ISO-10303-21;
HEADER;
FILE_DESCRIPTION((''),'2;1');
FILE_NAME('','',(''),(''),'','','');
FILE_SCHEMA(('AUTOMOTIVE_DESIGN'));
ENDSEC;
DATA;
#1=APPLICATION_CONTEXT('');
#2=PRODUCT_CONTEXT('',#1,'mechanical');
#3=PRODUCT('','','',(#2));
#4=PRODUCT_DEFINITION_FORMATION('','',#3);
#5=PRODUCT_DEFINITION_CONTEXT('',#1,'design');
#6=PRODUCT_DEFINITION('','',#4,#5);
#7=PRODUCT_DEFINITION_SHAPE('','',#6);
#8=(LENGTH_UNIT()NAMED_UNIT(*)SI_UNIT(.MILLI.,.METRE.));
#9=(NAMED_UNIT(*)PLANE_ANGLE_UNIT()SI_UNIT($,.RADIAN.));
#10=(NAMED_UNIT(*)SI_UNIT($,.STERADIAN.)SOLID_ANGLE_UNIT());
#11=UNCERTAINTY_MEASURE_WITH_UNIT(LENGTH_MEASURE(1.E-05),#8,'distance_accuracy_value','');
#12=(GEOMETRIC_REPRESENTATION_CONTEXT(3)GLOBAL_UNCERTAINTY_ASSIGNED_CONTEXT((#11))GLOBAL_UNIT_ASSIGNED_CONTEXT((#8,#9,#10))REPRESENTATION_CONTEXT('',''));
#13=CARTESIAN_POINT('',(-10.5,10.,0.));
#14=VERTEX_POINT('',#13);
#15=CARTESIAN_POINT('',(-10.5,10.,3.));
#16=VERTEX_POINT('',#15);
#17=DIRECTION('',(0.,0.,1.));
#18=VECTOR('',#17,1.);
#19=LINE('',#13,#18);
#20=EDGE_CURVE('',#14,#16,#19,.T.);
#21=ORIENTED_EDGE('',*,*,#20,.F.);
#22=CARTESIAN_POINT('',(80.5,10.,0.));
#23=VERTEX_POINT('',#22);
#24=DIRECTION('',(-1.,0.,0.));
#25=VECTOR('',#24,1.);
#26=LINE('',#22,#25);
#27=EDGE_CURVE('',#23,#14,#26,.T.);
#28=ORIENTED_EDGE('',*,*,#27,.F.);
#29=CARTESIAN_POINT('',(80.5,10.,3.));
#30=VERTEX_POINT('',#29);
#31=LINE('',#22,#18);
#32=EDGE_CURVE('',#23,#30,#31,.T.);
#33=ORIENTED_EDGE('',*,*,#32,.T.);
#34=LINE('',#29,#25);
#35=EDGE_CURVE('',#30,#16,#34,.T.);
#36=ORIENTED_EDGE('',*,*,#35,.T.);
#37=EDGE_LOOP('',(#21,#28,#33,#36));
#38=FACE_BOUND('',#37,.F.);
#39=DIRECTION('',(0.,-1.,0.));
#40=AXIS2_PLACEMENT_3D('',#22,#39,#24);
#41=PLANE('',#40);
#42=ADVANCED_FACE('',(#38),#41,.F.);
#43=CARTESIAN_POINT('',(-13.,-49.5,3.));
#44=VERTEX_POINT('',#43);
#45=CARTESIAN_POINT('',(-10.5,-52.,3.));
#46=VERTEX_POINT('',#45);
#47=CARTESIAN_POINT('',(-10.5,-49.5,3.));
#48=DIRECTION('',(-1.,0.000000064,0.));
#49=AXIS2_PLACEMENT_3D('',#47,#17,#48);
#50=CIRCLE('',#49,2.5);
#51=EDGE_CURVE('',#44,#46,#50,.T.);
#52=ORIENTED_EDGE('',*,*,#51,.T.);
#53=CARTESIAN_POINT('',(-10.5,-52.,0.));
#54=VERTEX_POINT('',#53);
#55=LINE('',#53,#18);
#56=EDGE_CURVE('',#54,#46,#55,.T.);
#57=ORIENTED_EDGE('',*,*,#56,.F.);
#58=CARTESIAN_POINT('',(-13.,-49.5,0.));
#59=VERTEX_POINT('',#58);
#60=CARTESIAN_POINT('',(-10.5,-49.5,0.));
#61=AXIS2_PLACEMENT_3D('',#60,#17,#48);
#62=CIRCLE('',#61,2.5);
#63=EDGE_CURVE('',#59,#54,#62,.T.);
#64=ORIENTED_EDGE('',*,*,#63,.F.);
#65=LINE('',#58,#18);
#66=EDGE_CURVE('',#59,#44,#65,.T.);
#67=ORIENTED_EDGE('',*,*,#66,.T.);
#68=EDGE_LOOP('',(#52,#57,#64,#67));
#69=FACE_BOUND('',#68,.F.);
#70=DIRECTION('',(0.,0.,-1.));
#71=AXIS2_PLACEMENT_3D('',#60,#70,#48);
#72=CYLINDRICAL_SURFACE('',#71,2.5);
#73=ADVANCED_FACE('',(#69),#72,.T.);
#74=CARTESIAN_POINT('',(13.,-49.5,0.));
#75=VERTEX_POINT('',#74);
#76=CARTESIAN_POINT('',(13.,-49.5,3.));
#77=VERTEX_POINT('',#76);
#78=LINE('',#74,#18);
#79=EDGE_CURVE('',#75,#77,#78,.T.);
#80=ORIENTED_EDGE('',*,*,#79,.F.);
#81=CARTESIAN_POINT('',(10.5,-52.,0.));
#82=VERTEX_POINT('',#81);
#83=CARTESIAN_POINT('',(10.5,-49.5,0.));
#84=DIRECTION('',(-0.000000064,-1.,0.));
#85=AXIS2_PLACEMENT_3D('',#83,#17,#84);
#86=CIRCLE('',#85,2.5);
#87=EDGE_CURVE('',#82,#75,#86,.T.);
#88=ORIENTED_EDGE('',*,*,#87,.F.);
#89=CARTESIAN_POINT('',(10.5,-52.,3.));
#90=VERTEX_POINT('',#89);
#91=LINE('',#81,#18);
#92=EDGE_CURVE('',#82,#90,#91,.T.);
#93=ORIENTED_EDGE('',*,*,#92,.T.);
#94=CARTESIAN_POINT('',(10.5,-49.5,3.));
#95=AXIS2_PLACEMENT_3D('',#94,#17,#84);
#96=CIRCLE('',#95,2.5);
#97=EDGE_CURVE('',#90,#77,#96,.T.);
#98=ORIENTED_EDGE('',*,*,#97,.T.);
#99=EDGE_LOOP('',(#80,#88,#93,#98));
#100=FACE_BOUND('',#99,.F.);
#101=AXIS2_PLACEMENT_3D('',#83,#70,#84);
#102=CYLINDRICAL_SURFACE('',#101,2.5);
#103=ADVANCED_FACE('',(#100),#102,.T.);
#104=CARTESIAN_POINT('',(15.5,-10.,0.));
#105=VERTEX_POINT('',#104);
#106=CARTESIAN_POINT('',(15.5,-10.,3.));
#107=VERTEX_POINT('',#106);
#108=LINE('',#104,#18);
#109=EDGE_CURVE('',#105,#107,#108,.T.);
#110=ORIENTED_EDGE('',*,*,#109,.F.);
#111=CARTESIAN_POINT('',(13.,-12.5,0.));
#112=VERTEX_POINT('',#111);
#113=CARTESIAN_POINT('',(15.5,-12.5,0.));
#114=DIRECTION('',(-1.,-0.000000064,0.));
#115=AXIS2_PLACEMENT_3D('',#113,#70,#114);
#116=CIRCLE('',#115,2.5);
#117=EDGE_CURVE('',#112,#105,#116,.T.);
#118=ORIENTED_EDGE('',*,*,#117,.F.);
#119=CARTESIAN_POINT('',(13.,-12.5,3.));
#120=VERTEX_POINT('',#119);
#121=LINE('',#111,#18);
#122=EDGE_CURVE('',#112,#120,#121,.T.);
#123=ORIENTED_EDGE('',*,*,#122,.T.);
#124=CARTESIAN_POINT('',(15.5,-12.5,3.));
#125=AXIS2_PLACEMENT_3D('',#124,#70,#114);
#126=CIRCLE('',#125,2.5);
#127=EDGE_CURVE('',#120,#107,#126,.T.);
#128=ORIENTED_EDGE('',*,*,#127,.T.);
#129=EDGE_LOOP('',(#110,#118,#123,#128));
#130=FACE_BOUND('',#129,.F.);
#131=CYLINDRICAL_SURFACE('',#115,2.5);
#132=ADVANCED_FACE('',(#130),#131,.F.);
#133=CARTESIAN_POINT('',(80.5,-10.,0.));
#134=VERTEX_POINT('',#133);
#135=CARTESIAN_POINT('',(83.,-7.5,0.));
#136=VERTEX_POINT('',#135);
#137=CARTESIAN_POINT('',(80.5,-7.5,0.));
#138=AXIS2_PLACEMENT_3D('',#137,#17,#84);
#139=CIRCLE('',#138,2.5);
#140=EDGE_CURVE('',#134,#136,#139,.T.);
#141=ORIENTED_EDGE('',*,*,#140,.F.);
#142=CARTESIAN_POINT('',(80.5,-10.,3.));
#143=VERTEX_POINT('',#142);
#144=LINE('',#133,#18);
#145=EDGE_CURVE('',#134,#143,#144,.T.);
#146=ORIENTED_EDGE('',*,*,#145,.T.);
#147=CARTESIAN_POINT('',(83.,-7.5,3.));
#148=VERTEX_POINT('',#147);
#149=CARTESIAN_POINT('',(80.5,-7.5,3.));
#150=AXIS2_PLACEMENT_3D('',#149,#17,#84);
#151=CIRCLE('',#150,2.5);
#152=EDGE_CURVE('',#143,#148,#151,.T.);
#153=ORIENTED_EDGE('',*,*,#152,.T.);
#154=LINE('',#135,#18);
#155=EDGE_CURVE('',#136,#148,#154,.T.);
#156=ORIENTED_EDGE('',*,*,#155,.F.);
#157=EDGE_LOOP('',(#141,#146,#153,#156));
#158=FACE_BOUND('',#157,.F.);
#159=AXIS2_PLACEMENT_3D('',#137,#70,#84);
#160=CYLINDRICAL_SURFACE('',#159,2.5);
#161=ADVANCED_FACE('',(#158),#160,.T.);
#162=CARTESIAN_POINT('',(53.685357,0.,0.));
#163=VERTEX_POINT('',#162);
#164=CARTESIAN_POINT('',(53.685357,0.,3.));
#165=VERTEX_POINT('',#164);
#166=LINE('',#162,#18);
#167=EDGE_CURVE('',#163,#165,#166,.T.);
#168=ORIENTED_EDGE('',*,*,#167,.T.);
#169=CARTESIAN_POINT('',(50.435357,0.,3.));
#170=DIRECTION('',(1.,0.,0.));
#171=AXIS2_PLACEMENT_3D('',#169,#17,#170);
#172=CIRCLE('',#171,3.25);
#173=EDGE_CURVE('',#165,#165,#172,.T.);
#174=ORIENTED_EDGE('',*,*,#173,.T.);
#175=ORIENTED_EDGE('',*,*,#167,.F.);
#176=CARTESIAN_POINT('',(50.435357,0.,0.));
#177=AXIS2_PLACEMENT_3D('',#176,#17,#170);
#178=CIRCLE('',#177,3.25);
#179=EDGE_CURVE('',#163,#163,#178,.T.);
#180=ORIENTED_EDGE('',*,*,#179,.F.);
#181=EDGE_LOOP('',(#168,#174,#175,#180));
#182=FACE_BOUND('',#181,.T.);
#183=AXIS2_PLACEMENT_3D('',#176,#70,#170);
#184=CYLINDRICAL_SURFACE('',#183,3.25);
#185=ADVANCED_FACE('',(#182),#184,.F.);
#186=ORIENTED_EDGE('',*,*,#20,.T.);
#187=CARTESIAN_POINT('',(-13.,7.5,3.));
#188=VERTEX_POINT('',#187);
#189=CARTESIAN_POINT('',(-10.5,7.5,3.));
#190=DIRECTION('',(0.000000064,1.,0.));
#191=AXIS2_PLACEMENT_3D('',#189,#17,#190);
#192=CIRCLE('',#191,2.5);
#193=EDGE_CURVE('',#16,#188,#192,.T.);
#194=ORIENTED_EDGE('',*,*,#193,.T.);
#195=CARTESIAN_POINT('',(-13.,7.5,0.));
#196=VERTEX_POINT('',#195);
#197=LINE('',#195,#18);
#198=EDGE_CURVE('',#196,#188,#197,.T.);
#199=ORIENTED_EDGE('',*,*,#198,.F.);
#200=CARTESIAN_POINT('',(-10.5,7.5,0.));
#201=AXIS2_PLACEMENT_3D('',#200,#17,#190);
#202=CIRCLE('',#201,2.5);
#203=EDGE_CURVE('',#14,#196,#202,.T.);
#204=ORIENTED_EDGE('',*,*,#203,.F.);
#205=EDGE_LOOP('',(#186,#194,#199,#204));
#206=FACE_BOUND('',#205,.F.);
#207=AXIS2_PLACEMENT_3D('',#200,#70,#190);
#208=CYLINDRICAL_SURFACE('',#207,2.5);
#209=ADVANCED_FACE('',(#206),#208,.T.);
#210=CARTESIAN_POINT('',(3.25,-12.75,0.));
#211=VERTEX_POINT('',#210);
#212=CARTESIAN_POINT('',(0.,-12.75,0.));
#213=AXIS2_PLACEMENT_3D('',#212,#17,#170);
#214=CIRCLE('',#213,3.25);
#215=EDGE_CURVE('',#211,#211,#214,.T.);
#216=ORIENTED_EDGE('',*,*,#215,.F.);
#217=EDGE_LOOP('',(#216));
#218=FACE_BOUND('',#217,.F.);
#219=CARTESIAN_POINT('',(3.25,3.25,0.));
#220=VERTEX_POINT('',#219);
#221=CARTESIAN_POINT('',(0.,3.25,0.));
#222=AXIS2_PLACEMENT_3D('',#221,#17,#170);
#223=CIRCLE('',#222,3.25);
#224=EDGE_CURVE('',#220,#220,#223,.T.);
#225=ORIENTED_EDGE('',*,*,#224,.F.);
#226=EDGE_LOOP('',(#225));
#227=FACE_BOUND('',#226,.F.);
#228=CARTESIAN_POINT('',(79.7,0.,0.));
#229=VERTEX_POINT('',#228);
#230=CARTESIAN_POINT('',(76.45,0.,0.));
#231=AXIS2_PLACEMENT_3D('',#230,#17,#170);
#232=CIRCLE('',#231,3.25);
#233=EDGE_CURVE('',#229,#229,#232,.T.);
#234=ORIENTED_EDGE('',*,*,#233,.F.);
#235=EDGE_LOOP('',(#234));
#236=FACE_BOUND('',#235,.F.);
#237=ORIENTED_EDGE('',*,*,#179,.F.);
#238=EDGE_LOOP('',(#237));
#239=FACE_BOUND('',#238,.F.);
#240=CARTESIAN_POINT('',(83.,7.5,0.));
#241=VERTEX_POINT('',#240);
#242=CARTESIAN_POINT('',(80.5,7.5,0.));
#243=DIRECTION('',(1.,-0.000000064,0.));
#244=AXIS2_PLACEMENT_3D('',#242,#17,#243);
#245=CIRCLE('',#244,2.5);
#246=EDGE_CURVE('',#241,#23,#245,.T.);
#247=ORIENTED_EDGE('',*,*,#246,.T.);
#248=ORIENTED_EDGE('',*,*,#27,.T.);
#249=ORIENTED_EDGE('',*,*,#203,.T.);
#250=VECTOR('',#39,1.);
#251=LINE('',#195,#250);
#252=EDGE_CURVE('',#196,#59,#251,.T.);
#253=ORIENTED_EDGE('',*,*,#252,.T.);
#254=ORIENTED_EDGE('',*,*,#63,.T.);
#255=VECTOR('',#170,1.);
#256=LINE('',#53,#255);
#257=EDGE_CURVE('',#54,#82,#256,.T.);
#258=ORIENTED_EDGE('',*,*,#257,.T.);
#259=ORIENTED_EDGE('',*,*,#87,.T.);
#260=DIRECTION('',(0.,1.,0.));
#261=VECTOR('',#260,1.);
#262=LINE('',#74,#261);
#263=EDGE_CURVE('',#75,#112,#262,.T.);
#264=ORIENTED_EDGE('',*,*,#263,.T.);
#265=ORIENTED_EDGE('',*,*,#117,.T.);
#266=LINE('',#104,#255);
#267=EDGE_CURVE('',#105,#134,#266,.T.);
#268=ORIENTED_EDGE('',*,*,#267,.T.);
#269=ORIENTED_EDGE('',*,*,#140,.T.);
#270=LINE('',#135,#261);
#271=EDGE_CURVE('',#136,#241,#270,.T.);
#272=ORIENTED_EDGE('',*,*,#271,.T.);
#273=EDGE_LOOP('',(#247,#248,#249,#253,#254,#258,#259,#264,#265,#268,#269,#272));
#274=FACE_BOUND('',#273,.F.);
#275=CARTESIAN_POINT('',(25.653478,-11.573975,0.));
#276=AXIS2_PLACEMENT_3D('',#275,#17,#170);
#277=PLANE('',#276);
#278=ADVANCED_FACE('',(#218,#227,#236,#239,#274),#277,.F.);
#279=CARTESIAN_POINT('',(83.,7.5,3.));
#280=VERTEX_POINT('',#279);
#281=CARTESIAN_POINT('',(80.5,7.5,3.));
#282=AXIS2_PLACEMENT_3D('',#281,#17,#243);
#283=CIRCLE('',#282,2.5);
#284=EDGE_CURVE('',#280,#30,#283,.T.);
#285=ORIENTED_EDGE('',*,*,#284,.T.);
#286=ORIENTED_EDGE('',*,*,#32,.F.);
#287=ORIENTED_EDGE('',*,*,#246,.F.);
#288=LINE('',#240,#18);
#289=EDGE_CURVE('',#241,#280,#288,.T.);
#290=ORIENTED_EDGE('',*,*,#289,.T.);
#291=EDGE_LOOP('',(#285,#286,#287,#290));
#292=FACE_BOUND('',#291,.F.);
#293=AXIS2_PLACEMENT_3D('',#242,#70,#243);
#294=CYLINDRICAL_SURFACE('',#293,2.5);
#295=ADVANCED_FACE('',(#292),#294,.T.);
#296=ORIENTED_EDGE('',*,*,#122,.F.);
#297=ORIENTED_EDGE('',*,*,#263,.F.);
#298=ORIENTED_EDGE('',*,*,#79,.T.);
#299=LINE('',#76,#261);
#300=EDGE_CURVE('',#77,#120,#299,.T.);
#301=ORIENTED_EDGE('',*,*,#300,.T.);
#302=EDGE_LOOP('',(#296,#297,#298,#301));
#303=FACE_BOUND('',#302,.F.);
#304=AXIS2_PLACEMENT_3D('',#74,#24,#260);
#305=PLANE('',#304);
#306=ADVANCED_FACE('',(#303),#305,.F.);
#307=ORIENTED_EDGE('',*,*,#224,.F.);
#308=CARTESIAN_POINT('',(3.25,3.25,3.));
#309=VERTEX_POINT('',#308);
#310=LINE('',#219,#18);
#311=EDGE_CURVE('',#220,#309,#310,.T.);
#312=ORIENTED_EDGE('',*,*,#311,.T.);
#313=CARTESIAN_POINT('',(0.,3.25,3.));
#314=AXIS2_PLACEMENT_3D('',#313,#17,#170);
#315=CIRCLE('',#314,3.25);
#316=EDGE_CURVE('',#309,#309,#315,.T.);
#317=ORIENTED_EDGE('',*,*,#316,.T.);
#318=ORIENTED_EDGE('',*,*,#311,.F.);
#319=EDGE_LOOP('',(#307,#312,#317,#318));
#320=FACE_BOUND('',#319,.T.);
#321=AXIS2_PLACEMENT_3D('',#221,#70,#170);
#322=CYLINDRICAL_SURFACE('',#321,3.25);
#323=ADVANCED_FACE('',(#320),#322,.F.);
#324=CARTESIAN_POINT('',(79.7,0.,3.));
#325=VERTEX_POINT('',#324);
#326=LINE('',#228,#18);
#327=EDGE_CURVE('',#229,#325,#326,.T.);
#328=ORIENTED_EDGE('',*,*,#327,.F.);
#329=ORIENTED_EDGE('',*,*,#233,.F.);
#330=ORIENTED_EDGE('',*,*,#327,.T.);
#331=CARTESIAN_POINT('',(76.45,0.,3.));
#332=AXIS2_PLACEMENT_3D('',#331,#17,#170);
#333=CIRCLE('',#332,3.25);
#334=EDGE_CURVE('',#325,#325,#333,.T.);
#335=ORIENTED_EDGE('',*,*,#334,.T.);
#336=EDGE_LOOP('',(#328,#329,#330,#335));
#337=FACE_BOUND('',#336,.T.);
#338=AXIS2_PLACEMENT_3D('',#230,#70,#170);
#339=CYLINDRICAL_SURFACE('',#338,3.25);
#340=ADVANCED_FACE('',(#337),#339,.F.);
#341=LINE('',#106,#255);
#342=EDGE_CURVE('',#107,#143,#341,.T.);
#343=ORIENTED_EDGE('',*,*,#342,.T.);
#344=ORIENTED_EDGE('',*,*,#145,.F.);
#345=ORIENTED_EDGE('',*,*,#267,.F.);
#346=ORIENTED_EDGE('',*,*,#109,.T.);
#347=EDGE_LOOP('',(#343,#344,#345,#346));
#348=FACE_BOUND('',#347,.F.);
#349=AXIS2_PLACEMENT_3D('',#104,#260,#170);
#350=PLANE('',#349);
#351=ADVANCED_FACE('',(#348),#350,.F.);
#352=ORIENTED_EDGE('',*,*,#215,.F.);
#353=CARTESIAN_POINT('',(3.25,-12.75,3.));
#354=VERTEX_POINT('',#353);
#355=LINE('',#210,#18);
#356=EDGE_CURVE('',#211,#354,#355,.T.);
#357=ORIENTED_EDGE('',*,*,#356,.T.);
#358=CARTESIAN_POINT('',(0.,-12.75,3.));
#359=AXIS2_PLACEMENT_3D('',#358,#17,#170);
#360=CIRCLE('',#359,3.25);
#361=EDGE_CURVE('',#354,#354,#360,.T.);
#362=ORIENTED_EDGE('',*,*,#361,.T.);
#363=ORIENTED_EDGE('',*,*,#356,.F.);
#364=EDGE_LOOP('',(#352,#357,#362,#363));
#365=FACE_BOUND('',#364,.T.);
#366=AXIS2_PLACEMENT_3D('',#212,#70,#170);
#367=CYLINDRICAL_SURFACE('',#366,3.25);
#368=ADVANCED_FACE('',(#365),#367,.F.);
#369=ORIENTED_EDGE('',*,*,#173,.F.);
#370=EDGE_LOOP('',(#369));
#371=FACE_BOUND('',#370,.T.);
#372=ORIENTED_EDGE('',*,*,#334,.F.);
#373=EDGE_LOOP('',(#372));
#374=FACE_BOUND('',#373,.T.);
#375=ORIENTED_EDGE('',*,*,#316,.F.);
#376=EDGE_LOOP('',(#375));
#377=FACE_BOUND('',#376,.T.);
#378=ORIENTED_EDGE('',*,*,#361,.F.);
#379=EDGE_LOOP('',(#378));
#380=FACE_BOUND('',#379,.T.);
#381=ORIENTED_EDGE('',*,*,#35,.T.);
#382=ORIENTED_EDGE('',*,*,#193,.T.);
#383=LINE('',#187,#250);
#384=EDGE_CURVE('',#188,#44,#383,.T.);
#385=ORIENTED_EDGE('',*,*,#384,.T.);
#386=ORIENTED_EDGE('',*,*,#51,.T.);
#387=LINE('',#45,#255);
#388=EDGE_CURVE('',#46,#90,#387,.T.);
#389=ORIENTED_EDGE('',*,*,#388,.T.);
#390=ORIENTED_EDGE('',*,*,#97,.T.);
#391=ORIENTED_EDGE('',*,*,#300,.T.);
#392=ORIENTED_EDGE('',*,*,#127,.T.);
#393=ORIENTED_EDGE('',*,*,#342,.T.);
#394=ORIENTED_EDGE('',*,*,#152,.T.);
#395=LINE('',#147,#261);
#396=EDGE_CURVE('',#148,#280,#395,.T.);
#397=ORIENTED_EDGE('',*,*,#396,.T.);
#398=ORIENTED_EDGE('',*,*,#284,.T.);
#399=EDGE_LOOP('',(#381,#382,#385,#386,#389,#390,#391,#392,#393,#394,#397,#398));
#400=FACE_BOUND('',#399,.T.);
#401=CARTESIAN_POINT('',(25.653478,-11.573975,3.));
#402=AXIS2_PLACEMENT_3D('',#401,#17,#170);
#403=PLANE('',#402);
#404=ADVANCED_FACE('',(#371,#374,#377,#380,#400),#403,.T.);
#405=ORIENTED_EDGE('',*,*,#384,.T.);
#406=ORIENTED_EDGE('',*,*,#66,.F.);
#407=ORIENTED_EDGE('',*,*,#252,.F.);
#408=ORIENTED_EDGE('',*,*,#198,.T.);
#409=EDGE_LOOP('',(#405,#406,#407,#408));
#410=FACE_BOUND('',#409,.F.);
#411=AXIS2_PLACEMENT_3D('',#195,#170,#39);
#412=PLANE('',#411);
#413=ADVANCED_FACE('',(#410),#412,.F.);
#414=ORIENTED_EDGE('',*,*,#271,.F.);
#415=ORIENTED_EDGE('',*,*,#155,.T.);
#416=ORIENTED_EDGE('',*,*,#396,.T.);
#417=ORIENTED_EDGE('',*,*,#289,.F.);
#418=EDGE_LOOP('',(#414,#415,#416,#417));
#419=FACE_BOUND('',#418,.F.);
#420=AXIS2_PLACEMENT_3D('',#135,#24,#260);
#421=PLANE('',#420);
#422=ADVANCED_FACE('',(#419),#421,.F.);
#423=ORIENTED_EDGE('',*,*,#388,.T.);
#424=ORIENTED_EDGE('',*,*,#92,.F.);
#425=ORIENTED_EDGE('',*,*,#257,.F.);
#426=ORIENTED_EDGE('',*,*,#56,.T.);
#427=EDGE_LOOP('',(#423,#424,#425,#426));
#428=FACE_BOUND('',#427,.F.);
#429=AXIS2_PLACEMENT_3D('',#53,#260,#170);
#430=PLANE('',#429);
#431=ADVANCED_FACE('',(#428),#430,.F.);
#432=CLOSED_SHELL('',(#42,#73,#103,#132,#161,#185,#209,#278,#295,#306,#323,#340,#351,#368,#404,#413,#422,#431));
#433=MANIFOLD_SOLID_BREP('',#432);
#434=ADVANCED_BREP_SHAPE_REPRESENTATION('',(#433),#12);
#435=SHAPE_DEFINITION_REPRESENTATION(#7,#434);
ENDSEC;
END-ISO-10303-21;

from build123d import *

# Parameters (mm, degrees)
F0_R     = 3.25
F1_DEPTH = 3


with BuildPart() as f1:
    # F0 (on Top) → F1 (new body)
    with BuildSketch(Plane.XY):
        with BuildLine():
            Line((80.5, 10), (13, 10))
            Line((13, 10), (-10.5, 10))
            ThreePointArc((-10.5, 10), (-12.267767, 9.267767), (-13, 7.5))
            Line((-13, 7.5), (-13, -49.5))
            ThreePointArc((-13, -49.5), (-12.267767, -51.267767), (-10.5, -52))
            Line((-10.5, -52), (10.5, -52))
            ThreePointArc((10.5, -52), (12.267767, -51.267767), (13, -49.5))
            Line((13, -49.5), (13, -12.5))
            ThreePointArc((13, -12.5), (13.732233, -10.732233), (15.5, -10))
            Line((15.5, -10), (80.5, -10))
            ThreePointArc((80.5, -10), (82.267767, -9.267767), (83, -7.5))
            Line((83, -7.5), (83, 7.5))
            ThreePointArc((83, 7.5), (82.267767, 9.267767), (80.5, 10))
        make_face()
        with Locations((0, -12.75)):
            Circle(F0_R, mode=Mode.SUBTRACT)
        with Locations((0, 3.25)):
            Circle(F0_R, mode=Mode.SUBTRACT)
        with Locations((50.435357, 0)):
            Circle(F0_R, mode=Mode.SUBTRACT)
        with Locations((76.45, 0)):
            Circle(F0_R, mode=Mode.SUBTRACT)
    extrude(amount=F1_DEPTH)


solid = f1.part
